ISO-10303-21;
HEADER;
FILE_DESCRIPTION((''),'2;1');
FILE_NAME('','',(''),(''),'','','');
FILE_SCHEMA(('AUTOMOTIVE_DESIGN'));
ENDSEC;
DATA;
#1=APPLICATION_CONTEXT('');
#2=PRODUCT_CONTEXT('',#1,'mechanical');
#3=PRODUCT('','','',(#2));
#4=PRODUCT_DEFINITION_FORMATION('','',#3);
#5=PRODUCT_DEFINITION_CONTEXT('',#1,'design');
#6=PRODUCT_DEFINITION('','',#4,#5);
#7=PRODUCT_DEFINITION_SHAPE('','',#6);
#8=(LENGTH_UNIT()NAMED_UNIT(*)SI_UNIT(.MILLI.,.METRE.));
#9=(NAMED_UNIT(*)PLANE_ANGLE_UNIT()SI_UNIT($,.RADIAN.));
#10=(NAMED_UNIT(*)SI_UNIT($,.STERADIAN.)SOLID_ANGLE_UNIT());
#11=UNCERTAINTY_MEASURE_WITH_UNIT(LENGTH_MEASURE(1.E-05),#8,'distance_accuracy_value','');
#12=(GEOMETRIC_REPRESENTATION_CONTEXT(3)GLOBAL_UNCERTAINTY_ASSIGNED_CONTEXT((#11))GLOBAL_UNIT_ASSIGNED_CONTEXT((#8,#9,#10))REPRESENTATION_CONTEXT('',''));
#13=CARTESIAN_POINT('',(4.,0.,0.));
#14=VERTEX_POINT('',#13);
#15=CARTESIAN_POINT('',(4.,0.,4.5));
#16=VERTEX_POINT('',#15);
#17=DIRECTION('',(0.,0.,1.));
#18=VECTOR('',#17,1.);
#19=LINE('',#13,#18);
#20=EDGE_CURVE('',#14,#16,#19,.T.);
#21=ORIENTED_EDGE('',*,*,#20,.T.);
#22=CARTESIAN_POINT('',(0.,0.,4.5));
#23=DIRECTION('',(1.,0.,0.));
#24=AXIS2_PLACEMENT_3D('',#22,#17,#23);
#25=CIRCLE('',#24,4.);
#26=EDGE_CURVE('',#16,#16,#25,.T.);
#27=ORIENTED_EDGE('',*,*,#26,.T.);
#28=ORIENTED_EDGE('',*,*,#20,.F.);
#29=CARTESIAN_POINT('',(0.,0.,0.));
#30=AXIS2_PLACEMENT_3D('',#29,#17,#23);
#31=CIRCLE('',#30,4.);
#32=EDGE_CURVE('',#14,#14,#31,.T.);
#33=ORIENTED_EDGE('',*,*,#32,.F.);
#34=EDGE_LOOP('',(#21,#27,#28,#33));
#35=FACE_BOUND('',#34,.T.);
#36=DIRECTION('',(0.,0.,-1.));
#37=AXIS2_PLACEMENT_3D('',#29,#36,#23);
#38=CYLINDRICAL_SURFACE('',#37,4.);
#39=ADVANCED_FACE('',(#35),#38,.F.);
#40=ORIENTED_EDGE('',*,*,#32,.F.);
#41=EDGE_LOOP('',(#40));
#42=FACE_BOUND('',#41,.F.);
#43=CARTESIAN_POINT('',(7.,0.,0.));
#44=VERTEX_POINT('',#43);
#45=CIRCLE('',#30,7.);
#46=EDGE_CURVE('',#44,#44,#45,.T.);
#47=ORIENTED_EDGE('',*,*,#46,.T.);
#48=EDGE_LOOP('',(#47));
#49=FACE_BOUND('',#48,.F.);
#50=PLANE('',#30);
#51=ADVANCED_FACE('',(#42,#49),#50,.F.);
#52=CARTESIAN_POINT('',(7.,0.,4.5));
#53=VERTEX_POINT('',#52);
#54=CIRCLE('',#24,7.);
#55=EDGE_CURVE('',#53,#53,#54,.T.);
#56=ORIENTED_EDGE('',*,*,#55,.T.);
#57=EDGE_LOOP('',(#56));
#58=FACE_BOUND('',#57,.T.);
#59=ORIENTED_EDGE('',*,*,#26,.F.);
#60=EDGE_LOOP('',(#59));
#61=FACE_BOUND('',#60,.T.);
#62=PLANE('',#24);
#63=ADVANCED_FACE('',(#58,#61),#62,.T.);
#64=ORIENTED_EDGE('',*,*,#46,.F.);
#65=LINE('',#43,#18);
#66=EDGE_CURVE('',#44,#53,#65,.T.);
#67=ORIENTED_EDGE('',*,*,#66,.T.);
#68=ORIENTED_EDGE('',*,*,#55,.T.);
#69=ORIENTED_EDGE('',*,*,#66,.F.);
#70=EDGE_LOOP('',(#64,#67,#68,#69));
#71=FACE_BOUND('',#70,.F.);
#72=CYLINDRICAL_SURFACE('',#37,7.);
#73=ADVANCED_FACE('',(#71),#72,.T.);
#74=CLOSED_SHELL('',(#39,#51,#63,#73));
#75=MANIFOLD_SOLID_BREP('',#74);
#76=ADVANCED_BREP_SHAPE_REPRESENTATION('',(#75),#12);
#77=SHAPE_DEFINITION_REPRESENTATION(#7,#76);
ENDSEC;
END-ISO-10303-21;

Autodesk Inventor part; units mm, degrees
ref_plane "YZ Plane" through (0, 0, 0) normal (1, 0, 0) x (0, 1, 0)
ref_plane "XZ Plane" through (0, 0, 0) normal (0, 1, 0) x (-1, 0, 0)
ref_plane "XY Plane" through (0, 0, 0) normal (0, 0, 1) x (1, 0, 0)
sketch "Sketch1" plane through (0, 0, 0) normal (0, 0, 1) x (1, 0, 0)
  circle A0 centre (0, 0) radius 4 projected
  circle A1 centre (0, 0) radius 7
  point P0 (0, 0)
  dimension "d0" = 14
extrude "Extrusion1" add sketch "Sketch1" along normal blind 4.5
properties part number "201 part 4"
